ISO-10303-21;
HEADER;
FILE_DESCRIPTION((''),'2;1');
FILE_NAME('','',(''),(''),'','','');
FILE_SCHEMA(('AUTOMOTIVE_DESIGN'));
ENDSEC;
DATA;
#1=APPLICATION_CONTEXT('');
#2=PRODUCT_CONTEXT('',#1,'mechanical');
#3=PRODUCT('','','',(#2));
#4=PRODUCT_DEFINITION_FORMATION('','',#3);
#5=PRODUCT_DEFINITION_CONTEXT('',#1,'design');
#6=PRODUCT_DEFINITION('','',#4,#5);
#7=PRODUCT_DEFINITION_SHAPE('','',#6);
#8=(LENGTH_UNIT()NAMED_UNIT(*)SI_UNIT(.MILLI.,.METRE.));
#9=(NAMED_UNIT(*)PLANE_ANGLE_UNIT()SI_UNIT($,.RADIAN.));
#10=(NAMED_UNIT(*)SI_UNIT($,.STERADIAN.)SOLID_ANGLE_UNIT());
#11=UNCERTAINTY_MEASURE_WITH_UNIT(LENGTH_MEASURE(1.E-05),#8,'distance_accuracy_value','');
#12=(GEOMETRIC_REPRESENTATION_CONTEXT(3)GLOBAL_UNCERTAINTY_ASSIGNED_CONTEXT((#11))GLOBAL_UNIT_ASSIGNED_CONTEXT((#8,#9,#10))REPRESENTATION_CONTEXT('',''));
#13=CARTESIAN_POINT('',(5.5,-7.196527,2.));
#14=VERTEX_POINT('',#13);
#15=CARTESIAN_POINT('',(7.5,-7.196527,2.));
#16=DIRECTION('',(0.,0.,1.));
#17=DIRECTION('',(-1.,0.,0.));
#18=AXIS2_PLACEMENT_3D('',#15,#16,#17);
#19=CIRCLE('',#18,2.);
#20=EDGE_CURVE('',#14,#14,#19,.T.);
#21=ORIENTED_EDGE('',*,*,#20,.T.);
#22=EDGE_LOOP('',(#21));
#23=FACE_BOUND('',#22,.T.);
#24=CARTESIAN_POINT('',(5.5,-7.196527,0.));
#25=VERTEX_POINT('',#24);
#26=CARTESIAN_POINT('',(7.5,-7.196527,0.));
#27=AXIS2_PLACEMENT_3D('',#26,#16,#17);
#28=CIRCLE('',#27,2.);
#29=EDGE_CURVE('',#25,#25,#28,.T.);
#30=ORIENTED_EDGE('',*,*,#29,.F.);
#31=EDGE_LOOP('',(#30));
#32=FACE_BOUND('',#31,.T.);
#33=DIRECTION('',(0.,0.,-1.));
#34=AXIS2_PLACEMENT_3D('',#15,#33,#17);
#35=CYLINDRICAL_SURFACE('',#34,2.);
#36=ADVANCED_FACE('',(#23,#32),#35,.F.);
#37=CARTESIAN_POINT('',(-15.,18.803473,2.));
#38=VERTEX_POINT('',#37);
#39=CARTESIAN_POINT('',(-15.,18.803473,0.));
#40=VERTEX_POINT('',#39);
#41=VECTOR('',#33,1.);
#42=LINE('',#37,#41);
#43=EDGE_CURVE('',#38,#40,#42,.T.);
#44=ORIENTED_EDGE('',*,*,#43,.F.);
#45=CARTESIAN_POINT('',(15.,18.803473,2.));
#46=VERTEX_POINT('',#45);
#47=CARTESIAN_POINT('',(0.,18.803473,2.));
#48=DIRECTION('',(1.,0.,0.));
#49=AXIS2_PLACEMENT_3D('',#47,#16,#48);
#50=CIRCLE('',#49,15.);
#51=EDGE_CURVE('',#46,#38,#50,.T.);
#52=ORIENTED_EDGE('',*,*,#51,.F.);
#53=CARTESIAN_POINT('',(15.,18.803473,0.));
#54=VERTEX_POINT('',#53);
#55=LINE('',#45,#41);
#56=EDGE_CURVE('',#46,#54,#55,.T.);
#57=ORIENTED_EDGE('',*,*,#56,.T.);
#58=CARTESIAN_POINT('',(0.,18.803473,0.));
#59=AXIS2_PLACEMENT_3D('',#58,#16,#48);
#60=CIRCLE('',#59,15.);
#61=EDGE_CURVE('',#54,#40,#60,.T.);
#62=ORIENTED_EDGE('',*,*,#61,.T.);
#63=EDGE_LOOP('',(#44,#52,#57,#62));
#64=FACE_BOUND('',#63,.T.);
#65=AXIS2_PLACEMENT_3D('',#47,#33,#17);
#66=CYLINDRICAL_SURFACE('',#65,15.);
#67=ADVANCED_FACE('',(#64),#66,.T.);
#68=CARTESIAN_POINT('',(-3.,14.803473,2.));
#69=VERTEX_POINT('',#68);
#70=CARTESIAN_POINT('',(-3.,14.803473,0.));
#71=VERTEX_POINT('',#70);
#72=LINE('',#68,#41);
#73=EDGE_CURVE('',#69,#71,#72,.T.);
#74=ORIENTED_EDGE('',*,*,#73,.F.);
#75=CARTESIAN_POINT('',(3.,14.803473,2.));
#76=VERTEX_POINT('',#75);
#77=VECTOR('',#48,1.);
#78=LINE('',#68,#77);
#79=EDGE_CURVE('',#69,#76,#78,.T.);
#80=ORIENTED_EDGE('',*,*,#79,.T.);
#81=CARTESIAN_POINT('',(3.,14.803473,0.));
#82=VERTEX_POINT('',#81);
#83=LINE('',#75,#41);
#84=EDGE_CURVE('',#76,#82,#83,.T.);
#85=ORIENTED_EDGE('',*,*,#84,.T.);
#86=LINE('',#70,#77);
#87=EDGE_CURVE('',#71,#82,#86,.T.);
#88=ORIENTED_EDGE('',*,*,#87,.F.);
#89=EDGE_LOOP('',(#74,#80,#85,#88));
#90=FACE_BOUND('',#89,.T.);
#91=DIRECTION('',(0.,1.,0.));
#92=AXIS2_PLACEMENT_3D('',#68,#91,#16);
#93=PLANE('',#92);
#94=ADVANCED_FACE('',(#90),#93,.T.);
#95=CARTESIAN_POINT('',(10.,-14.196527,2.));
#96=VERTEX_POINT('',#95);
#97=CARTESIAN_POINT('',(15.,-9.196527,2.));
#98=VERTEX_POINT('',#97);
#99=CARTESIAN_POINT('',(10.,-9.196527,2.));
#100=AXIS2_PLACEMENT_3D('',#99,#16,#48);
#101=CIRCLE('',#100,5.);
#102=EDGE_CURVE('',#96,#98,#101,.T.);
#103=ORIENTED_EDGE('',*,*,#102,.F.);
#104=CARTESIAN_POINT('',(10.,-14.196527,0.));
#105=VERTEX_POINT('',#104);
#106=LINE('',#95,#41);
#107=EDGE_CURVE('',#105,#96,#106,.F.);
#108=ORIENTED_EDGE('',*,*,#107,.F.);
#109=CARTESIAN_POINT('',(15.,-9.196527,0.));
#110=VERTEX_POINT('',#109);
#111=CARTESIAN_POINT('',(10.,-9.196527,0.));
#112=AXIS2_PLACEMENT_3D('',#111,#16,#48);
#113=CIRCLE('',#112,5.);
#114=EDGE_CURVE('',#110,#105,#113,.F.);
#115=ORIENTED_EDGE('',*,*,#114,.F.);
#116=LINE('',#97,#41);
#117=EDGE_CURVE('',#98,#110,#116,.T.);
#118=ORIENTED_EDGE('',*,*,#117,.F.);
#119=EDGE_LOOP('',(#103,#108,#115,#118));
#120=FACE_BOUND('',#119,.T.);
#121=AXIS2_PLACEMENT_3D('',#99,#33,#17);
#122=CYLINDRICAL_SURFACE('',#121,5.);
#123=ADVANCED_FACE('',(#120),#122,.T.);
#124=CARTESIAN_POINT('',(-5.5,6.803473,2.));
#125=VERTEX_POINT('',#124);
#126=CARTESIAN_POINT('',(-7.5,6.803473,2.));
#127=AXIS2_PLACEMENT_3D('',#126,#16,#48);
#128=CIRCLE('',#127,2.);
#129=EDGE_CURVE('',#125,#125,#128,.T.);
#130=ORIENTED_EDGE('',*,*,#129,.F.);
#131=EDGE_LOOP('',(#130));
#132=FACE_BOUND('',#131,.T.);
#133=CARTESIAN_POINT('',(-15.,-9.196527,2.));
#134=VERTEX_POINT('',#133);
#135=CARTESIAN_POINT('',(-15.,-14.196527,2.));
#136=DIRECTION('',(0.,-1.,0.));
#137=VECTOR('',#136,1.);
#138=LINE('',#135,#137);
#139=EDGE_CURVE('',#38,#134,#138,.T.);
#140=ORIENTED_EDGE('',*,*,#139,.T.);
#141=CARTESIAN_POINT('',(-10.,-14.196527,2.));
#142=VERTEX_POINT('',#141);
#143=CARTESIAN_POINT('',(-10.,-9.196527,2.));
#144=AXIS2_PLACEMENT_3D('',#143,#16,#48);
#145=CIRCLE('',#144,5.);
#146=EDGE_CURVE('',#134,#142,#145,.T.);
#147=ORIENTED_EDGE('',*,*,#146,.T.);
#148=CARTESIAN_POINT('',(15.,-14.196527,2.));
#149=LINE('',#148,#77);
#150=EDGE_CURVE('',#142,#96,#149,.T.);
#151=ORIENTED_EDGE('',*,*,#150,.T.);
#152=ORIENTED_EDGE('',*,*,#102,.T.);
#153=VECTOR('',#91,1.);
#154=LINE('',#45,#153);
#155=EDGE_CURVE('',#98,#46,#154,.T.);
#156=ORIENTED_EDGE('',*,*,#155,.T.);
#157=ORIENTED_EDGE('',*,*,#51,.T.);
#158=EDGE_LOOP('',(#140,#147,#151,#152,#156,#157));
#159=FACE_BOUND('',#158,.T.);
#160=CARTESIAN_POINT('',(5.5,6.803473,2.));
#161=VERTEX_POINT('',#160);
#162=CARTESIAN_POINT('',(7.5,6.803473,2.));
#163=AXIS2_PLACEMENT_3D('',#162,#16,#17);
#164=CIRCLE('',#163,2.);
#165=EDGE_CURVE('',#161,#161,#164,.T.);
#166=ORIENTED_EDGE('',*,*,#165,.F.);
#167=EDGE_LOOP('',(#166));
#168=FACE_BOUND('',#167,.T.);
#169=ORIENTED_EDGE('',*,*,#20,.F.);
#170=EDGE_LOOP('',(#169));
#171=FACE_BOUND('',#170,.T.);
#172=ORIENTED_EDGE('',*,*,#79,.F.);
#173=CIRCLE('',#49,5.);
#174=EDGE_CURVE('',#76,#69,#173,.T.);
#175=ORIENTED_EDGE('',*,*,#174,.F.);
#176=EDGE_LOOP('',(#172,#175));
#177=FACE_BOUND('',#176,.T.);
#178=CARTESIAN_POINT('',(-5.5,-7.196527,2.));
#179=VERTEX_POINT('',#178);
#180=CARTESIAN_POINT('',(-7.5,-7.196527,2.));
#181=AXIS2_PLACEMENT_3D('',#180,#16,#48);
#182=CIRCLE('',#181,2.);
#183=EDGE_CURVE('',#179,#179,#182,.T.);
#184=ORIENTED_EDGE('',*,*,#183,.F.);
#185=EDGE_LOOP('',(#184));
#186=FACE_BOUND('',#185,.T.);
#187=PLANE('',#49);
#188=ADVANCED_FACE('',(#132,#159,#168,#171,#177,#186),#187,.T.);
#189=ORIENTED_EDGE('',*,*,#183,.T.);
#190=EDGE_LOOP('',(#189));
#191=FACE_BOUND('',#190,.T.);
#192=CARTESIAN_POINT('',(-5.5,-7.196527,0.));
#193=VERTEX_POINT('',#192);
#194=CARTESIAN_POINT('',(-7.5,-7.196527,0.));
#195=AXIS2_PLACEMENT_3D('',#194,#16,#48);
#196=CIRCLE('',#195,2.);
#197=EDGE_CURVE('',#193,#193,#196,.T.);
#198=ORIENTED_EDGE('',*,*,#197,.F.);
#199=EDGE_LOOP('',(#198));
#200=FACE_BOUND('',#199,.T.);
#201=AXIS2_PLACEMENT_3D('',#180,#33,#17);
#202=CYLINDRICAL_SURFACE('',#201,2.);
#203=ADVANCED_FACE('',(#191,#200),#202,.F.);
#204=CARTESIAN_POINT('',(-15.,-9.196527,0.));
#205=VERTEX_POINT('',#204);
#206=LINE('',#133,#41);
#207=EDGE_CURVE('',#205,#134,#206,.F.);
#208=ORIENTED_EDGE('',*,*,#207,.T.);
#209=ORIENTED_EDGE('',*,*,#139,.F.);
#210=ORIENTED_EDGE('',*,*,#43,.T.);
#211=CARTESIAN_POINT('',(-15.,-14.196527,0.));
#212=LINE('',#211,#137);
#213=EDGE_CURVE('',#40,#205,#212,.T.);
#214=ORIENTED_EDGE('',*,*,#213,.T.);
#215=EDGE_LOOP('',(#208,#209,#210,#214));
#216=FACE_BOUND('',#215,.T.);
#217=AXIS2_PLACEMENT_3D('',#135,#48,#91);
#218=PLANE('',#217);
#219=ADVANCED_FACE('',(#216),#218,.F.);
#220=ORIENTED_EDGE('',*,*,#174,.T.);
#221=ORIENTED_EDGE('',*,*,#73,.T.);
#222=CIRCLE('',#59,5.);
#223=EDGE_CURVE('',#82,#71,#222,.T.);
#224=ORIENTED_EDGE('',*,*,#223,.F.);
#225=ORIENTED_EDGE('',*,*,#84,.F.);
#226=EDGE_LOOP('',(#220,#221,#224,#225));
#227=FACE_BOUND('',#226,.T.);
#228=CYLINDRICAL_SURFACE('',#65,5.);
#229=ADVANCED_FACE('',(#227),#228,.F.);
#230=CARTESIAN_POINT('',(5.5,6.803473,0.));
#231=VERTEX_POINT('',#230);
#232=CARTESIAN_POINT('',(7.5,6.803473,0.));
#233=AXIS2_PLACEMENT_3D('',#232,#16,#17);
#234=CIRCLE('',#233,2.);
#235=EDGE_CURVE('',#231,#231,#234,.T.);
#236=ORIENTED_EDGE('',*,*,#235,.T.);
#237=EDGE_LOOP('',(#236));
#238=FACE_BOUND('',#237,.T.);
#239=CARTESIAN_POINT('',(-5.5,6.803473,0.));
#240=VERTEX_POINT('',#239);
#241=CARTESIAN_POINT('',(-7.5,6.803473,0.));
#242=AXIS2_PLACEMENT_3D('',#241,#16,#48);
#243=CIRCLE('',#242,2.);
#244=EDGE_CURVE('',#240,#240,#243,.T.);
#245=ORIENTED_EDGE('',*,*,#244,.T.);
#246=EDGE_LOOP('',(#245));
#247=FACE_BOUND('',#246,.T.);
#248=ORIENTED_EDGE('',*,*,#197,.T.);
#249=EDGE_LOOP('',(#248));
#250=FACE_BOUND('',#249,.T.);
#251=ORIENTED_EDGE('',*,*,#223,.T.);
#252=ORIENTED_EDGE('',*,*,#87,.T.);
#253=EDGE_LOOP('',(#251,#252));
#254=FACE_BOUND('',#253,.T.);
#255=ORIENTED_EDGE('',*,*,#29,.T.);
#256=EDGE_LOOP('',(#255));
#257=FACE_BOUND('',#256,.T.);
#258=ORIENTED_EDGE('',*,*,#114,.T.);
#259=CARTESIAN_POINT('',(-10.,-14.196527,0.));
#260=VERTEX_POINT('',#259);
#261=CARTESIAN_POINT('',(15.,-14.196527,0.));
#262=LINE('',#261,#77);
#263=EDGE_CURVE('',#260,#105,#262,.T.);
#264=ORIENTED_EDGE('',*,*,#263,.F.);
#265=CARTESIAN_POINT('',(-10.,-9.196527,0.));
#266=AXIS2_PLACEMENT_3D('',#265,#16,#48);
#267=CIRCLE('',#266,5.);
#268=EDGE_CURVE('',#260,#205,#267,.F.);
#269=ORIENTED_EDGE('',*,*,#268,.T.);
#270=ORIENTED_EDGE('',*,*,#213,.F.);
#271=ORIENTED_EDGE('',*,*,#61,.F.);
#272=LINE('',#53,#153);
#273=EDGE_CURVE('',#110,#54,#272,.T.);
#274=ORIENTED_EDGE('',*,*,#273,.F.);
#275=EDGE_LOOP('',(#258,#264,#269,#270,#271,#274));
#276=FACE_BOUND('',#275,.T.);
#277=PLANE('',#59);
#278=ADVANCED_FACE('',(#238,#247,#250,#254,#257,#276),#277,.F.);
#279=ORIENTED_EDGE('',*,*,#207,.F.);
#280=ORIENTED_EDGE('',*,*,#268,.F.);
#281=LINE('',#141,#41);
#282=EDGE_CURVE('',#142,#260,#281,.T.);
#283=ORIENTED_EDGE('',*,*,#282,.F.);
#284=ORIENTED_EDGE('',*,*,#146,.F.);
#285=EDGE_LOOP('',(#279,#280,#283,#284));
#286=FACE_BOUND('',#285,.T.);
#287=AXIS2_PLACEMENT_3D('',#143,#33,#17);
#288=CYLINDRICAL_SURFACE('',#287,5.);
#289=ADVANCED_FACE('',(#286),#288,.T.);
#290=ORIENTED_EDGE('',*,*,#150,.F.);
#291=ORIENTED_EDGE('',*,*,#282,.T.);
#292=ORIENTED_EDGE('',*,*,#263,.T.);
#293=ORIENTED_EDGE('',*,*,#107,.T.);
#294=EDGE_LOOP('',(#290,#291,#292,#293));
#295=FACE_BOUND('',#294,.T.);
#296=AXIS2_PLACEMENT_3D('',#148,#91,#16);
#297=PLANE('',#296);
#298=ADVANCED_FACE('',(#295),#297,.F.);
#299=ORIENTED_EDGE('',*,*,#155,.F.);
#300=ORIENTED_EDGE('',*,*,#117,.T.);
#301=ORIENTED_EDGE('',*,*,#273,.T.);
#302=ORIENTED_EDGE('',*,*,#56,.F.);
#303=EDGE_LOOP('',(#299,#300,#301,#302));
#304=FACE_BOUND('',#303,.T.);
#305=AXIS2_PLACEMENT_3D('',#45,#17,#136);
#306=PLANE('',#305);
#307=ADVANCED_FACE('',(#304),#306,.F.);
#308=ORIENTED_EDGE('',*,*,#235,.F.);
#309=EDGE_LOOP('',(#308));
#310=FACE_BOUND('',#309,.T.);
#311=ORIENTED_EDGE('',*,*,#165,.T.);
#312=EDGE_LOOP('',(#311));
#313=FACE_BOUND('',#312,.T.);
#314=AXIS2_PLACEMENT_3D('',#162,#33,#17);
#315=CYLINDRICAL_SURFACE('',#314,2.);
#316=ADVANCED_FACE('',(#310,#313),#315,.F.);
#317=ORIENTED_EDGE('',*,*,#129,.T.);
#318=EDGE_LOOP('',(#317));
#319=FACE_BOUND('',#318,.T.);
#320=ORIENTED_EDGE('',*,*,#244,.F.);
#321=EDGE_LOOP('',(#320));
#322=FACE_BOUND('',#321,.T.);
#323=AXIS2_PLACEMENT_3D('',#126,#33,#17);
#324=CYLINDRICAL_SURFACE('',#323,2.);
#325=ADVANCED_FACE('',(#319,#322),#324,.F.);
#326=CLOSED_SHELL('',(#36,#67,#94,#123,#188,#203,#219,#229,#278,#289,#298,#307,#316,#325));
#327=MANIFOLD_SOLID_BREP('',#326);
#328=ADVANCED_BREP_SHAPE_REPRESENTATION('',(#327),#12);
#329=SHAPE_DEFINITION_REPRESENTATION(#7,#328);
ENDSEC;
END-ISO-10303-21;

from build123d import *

# Parameters (mm, degrees)
SKETCH_1_R      = 2
EXTRUDE_1_DEPTH = 2
FILLET_1_R      = 5


with BuildPart() as part:
    # 草图1 → 凸台-拉伸1 (new body)
    with BuildSketch(Plane.XY):
        with BuildLine():
            Line((15, 18.803472682), (15, -14.196527318))
            Line((15, -14.196527318), (-15, -14.196527318))
            Line((-15, -14.196527318), (-15, 18.803472682))
            ThreePointArc((-15, 18.803472682), (0, 33.803472682), (15, 18.803472682))
        make_face()
        with Locations((-7.5, 6.803472682)):
            Circle(SKETCH_1_R, mode=Mode.SUBTRACT)
        with Locations((-7.5, -7.196527318)):
            Circle(SKETCH_1_R, mode=Mode.SUBTRACT)
        with Locations(Location((7.5, -7.196527318, 0), (0, 0, 180))):
            Circle(SKETCH_1_R, mode=Mode.SUBTRACT)
        with Locations(Location((7.5, 6.803472682, 0), (0, 0, 180))):
            Circle(SKETCH_1_R, mode=Mode.SUBTRACT)
        with BuildLine():
            Line((-3, 14.803472682), (3, 14.803472682))
            ThreePointArc((3, 14.803472682), (0, 23.803472682), (-3, 14.803472682))
        make_face(mode=Mode.SUBTRACT)
    extrude(amount=EXTRUDE_1_DEPTH)

    # 圆角1
    fillet_1_edges = [part.edges().sort_by_distance(p)[0] for p in [
        (15, -14.196527318, 1),
        (-15, -14.196527318, 1),
    ]]
    fillet(fillet_1_edges, radius=FILLET_1_R)


solid = part.part
